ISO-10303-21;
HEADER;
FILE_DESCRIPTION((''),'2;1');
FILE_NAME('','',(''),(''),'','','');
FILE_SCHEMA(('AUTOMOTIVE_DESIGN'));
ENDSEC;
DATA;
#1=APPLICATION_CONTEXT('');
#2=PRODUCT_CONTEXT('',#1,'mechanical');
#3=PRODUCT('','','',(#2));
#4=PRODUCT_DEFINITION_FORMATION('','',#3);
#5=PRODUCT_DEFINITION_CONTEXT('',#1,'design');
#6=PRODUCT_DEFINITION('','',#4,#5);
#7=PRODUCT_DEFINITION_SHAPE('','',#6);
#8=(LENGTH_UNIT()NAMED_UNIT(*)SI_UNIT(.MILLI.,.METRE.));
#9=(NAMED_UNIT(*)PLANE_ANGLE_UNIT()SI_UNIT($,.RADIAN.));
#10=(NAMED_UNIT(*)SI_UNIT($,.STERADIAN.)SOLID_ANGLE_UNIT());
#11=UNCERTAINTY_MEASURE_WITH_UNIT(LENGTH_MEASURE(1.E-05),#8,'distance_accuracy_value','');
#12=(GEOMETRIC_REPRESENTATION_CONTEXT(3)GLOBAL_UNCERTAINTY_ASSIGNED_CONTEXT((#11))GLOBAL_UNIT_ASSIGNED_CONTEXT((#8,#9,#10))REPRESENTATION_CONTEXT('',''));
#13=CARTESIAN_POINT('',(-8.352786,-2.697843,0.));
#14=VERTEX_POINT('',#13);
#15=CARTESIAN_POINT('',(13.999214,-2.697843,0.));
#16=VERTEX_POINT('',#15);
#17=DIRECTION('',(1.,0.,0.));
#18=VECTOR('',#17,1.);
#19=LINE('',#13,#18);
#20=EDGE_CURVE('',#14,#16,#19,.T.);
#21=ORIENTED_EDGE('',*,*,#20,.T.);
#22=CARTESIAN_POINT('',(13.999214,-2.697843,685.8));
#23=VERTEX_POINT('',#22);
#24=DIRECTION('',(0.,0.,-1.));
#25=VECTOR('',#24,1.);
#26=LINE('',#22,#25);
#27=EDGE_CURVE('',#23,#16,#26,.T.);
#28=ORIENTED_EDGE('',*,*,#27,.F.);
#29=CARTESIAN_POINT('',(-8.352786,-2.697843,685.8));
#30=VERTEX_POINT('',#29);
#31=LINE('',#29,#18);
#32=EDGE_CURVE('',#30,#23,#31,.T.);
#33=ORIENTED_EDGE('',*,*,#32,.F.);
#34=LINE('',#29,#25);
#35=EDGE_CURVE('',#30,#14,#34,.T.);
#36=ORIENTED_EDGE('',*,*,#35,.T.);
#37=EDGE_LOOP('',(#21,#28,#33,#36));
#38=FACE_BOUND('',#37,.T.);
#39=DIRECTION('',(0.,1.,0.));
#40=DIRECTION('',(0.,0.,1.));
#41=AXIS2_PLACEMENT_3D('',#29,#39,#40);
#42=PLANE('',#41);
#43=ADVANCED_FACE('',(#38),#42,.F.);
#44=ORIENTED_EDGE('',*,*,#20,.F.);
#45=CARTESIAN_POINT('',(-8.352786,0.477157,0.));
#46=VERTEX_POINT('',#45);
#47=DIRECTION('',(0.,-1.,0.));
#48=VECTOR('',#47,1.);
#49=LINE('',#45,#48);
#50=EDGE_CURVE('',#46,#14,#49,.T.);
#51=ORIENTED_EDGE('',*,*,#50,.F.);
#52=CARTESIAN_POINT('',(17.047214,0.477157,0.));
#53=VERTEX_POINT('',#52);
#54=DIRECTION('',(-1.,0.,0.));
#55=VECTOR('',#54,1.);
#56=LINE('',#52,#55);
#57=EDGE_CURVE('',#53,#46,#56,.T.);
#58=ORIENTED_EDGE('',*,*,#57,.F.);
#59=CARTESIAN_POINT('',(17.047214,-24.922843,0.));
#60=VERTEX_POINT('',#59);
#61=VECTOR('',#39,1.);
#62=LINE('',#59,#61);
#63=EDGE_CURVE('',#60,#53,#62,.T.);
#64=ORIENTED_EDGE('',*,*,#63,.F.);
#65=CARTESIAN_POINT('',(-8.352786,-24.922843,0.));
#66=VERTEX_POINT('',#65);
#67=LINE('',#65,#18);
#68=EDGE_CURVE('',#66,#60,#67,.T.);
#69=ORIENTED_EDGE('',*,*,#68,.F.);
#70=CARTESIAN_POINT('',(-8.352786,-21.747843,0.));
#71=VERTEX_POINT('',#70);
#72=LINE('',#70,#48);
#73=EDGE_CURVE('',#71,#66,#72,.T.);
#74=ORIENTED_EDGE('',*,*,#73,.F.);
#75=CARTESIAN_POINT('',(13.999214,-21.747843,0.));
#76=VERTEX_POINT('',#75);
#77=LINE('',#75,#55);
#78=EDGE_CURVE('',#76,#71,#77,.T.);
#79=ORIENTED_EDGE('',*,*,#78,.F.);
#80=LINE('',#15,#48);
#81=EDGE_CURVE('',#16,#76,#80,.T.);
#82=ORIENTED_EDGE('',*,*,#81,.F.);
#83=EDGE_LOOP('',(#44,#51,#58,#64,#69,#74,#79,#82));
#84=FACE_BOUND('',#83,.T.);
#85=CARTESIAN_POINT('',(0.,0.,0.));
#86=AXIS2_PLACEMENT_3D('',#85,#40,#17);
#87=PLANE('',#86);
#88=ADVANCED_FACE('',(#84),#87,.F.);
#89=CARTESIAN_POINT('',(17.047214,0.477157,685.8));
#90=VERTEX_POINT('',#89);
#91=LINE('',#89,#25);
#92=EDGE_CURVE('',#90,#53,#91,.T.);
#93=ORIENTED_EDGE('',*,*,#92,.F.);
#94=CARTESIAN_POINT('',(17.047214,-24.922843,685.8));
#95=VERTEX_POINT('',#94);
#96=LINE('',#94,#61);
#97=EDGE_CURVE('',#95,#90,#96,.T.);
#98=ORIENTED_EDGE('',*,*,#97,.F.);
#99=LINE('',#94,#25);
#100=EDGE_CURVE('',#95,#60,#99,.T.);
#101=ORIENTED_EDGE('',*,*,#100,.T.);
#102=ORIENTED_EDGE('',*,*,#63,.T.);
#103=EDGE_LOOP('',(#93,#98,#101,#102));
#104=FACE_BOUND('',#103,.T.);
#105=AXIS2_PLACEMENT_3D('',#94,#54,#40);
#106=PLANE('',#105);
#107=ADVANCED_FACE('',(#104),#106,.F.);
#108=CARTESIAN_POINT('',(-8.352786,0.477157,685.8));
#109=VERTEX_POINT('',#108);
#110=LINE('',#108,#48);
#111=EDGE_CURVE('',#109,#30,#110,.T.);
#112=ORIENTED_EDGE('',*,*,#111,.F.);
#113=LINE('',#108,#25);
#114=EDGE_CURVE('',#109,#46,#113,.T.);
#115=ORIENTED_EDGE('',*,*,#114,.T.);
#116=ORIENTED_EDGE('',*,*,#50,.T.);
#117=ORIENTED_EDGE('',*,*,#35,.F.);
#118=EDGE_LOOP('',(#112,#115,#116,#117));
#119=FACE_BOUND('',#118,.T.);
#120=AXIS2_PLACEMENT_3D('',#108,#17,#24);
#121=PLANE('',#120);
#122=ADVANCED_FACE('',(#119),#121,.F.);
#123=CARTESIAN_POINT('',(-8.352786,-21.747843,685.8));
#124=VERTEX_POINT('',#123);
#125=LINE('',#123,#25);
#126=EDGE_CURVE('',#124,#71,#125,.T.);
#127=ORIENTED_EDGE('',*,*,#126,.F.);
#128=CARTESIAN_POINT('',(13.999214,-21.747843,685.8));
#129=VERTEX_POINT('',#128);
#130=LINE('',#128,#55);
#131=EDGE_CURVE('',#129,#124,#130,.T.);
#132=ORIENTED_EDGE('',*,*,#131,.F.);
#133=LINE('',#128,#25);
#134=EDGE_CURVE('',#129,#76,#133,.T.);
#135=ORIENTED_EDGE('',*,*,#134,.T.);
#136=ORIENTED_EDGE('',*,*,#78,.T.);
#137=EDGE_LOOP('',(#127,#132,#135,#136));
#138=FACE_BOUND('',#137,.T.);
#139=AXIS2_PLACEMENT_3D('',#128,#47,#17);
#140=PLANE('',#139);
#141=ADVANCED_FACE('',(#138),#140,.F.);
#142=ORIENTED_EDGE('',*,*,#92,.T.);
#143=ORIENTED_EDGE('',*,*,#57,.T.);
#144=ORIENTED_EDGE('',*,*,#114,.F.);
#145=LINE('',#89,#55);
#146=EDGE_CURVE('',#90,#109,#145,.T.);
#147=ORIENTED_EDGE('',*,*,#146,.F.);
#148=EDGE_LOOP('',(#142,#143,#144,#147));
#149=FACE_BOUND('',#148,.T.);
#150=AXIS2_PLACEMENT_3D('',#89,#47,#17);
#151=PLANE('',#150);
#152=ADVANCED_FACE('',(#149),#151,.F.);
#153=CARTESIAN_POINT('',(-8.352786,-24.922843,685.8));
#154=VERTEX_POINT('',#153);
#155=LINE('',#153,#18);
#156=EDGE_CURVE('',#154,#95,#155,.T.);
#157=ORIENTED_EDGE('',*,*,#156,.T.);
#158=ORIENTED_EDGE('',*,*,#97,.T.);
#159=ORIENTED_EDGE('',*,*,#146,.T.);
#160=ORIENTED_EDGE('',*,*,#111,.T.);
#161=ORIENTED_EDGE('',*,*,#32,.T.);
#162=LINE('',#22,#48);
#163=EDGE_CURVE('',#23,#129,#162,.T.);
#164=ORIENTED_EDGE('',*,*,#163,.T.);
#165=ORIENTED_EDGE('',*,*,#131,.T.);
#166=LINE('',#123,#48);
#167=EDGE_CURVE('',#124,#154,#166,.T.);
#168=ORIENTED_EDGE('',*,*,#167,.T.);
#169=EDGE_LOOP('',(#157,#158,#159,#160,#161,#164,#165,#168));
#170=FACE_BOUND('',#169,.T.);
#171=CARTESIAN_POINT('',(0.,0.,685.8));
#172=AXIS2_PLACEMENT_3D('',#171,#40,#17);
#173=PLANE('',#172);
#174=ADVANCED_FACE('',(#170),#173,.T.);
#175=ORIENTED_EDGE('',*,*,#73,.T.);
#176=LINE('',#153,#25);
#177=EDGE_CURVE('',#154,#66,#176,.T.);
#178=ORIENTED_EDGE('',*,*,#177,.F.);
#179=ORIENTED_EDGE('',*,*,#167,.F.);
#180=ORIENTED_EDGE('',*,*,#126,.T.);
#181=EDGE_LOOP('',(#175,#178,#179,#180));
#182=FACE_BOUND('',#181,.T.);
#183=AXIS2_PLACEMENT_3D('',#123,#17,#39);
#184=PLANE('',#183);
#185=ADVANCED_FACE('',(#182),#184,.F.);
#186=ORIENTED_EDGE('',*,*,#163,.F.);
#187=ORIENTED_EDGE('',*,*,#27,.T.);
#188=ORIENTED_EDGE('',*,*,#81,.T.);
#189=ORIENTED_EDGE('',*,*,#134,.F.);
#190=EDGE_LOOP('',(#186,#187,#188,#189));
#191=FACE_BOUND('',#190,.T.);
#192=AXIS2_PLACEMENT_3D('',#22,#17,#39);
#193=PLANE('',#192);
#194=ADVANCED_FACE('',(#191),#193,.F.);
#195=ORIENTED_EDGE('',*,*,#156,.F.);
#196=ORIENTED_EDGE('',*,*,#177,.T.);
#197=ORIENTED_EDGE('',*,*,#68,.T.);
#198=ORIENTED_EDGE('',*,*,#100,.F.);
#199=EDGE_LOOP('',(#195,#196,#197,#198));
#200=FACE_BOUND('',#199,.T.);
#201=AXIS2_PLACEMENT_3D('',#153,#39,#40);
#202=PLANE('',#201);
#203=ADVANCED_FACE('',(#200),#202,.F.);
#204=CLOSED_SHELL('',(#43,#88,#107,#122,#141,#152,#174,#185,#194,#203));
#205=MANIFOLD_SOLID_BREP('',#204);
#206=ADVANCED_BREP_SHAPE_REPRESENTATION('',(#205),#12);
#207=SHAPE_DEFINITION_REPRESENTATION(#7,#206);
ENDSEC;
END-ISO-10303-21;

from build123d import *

# Parameters (mm, degrees)
BOSS_EXTRUDE1_DEPTH = 685.8


with BuildPart() as part:
    # Sketch1 → Boss-Extrude1 (new body)
    with BuildSketch(Plane.XY):
        Polygon((-8.352785954, 0.477156812), (-8.352785954, -2.697843188), (13.999214046, -2.697843188), (13.999214046, -21.747843188), (-8.352785954, -21.747843188), (-8.352785954, -24.922843188), (17.047214046, -24.922843188), (17.047214046, 0.477156812), align=None)
    extrude(amount=BOSS_EXTRUDE1_DEPTH)


solid = part.part
